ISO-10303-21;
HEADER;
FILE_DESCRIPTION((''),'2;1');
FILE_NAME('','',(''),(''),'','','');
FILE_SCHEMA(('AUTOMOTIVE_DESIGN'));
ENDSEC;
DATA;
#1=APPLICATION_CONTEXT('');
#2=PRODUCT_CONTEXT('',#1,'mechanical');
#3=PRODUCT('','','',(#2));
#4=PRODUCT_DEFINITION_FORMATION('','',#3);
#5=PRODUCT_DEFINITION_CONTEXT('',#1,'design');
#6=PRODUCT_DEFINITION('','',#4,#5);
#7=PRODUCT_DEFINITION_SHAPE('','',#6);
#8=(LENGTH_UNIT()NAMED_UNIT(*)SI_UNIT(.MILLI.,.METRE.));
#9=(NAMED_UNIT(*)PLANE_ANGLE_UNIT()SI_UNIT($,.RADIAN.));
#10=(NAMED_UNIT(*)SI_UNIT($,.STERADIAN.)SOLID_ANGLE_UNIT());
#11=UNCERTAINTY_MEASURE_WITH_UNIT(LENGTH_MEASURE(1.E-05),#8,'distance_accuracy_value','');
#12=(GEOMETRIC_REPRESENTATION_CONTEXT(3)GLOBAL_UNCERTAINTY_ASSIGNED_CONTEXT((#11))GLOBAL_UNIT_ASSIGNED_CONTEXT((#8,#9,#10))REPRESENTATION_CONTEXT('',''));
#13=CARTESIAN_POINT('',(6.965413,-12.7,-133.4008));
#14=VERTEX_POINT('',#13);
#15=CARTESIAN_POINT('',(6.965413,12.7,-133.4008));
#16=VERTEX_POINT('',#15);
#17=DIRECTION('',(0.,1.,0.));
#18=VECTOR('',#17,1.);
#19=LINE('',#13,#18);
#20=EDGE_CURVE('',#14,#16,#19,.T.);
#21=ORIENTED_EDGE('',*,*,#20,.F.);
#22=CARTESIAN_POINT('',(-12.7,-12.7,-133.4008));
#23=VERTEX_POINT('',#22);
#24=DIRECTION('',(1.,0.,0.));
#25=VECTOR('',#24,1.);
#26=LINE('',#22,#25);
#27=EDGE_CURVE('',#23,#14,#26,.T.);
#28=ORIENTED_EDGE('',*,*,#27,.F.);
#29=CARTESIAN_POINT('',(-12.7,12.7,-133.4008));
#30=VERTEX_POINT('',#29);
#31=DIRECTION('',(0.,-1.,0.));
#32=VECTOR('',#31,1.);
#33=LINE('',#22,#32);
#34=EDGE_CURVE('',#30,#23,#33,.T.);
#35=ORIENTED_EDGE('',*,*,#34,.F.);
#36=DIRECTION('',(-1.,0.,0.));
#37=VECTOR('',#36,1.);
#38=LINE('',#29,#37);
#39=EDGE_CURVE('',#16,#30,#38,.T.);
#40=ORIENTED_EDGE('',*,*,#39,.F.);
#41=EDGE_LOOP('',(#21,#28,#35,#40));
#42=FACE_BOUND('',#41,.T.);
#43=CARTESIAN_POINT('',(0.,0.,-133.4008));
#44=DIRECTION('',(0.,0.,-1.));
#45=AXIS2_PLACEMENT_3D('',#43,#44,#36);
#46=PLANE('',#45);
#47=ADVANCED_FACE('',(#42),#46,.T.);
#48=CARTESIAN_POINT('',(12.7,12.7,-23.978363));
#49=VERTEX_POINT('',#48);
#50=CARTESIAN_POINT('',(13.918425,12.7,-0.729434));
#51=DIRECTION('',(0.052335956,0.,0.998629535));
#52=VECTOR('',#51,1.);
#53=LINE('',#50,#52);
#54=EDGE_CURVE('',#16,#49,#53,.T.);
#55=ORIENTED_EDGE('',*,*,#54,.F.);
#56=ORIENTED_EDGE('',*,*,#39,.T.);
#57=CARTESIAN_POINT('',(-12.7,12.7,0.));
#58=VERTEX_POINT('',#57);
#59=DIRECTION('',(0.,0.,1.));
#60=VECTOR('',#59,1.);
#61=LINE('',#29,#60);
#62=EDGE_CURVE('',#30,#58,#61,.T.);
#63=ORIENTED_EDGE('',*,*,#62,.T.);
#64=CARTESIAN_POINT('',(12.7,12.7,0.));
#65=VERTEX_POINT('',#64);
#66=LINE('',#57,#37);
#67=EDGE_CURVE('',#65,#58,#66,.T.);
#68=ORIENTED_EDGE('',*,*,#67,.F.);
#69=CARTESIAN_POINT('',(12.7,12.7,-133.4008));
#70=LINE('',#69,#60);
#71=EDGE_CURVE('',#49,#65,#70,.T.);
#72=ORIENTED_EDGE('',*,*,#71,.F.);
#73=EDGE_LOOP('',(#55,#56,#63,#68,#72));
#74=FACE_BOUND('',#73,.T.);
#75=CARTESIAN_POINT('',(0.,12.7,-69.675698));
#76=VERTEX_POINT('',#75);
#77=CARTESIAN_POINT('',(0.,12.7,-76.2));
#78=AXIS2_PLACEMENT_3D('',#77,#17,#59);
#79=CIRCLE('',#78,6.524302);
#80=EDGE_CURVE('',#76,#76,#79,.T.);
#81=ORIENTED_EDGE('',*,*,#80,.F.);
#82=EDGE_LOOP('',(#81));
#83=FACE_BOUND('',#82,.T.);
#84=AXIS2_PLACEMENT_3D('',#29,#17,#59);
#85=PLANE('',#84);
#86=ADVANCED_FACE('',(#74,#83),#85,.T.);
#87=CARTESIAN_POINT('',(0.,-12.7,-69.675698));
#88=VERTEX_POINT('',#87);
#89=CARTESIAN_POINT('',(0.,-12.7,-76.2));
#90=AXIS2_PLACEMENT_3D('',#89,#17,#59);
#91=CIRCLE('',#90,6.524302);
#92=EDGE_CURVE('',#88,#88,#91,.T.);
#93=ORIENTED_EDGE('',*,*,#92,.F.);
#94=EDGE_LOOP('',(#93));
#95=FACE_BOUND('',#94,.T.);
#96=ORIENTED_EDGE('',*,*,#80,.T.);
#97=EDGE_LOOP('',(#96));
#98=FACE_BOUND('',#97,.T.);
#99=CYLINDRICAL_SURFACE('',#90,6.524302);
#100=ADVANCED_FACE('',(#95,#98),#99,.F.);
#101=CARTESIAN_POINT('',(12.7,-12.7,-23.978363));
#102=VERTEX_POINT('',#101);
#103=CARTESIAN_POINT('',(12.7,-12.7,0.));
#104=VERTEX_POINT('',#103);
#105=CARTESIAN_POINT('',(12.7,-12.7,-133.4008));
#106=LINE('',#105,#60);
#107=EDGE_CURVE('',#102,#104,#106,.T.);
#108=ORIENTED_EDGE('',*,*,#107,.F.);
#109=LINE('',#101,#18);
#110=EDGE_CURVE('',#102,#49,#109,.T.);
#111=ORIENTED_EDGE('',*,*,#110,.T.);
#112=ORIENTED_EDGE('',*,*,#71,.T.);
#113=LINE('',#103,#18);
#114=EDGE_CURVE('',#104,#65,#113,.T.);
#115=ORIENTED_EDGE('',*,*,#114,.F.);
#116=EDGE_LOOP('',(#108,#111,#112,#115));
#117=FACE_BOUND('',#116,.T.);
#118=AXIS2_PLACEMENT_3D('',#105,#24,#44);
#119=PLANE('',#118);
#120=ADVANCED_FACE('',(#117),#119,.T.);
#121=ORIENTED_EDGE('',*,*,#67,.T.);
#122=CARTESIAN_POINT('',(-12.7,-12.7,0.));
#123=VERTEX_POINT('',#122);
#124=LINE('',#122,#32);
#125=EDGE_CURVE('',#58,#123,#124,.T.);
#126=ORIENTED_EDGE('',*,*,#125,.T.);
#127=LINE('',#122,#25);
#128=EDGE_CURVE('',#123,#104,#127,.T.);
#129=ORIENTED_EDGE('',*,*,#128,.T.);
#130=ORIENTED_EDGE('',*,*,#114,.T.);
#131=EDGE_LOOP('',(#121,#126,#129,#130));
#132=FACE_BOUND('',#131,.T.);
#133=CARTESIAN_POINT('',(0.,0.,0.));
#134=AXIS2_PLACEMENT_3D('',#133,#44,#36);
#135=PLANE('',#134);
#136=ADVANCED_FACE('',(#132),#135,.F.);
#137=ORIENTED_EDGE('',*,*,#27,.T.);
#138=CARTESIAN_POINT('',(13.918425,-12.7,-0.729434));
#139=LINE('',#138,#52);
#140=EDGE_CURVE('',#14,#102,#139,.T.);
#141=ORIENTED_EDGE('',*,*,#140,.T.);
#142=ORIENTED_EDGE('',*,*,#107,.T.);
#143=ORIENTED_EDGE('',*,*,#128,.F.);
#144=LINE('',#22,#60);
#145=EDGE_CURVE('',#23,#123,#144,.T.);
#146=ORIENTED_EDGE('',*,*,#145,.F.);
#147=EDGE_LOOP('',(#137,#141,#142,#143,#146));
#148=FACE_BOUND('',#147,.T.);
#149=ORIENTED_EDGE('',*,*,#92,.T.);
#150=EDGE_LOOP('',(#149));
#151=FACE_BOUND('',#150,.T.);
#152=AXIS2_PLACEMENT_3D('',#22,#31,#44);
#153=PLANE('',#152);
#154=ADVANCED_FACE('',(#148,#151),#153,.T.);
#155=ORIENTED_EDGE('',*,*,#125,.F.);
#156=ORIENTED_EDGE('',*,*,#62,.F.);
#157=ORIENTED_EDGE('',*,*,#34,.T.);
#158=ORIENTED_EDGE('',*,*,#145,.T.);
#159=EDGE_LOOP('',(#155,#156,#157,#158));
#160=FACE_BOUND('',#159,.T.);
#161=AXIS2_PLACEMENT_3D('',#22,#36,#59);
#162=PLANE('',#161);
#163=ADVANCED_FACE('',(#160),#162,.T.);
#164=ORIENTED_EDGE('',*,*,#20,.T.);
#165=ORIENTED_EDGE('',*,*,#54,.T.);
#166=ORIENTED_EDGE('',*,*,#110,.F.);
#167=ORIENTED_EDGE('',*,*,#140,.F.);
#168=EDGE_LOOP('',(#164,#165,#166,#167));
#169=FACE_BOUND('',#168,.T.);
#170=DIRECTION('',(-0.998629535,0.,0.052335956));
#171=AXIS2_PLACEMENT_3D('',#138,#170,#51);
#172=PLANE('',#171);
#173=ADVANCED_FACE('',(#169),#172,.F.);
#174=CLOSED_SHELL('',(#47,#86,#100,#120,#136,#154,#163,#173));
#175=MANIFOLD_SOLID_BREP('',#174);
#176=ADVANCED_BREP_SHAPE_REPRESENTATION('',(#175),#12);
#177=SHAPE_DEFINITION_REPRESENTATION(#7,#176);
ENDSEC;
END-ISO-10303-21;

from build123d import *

# Parameters (mm, degrees)
SKETCH1_W           = 25.4
SKETCH1_H           = 25.4
BOSS_EXTRUDE1_DEPTH = 133.4008
SKETCH2_R           = 6.524301876
CUT_EXTRUDE2_DEPTH  = 26.4
CUT_EXTRUDE3_DEPTH  = 26.4


with BuildPart() as part:
    # Sketch1 → Boss-Extrude1 (new body)
    with BuildSketch(Plane.XY):
        Rectangle(SKETCH1_W, SKETCH1_H)
    extrude(amount=-BOSS_EXTRUDE1_DEPTH)

    # Sketch2 → Cut-Extrude2 (cut, through all)
    with BuildSketch(Plane(origin=(0, 12.7, 0), x_dir=(1, 0, 0), z_dir=(0, 1, 0))):
        with Locations((0, 76.2)):
            Circle(SKETCH2_R)
    extrude(amount=-CUT_EXTRUDE2_DEPTH, mode=Mode.SUBTRACT)

    # Sketch3 → Cut-Extrude3 (cut, through all)
    with BuildSketch(Plane(origin=(0, 12.7, 0), x_dir=(1, 0, 0), z_dir=(0, 1, 0))):
        Polygon((12.7, 133.4008), (6.96541308, 133.4008), (12.7, 23.978363128), align=None)
    extrude(amount=-CUT_EXTRUDE3_DEPTH, mode=Mode.SUBTRACT)


solid = part.part
